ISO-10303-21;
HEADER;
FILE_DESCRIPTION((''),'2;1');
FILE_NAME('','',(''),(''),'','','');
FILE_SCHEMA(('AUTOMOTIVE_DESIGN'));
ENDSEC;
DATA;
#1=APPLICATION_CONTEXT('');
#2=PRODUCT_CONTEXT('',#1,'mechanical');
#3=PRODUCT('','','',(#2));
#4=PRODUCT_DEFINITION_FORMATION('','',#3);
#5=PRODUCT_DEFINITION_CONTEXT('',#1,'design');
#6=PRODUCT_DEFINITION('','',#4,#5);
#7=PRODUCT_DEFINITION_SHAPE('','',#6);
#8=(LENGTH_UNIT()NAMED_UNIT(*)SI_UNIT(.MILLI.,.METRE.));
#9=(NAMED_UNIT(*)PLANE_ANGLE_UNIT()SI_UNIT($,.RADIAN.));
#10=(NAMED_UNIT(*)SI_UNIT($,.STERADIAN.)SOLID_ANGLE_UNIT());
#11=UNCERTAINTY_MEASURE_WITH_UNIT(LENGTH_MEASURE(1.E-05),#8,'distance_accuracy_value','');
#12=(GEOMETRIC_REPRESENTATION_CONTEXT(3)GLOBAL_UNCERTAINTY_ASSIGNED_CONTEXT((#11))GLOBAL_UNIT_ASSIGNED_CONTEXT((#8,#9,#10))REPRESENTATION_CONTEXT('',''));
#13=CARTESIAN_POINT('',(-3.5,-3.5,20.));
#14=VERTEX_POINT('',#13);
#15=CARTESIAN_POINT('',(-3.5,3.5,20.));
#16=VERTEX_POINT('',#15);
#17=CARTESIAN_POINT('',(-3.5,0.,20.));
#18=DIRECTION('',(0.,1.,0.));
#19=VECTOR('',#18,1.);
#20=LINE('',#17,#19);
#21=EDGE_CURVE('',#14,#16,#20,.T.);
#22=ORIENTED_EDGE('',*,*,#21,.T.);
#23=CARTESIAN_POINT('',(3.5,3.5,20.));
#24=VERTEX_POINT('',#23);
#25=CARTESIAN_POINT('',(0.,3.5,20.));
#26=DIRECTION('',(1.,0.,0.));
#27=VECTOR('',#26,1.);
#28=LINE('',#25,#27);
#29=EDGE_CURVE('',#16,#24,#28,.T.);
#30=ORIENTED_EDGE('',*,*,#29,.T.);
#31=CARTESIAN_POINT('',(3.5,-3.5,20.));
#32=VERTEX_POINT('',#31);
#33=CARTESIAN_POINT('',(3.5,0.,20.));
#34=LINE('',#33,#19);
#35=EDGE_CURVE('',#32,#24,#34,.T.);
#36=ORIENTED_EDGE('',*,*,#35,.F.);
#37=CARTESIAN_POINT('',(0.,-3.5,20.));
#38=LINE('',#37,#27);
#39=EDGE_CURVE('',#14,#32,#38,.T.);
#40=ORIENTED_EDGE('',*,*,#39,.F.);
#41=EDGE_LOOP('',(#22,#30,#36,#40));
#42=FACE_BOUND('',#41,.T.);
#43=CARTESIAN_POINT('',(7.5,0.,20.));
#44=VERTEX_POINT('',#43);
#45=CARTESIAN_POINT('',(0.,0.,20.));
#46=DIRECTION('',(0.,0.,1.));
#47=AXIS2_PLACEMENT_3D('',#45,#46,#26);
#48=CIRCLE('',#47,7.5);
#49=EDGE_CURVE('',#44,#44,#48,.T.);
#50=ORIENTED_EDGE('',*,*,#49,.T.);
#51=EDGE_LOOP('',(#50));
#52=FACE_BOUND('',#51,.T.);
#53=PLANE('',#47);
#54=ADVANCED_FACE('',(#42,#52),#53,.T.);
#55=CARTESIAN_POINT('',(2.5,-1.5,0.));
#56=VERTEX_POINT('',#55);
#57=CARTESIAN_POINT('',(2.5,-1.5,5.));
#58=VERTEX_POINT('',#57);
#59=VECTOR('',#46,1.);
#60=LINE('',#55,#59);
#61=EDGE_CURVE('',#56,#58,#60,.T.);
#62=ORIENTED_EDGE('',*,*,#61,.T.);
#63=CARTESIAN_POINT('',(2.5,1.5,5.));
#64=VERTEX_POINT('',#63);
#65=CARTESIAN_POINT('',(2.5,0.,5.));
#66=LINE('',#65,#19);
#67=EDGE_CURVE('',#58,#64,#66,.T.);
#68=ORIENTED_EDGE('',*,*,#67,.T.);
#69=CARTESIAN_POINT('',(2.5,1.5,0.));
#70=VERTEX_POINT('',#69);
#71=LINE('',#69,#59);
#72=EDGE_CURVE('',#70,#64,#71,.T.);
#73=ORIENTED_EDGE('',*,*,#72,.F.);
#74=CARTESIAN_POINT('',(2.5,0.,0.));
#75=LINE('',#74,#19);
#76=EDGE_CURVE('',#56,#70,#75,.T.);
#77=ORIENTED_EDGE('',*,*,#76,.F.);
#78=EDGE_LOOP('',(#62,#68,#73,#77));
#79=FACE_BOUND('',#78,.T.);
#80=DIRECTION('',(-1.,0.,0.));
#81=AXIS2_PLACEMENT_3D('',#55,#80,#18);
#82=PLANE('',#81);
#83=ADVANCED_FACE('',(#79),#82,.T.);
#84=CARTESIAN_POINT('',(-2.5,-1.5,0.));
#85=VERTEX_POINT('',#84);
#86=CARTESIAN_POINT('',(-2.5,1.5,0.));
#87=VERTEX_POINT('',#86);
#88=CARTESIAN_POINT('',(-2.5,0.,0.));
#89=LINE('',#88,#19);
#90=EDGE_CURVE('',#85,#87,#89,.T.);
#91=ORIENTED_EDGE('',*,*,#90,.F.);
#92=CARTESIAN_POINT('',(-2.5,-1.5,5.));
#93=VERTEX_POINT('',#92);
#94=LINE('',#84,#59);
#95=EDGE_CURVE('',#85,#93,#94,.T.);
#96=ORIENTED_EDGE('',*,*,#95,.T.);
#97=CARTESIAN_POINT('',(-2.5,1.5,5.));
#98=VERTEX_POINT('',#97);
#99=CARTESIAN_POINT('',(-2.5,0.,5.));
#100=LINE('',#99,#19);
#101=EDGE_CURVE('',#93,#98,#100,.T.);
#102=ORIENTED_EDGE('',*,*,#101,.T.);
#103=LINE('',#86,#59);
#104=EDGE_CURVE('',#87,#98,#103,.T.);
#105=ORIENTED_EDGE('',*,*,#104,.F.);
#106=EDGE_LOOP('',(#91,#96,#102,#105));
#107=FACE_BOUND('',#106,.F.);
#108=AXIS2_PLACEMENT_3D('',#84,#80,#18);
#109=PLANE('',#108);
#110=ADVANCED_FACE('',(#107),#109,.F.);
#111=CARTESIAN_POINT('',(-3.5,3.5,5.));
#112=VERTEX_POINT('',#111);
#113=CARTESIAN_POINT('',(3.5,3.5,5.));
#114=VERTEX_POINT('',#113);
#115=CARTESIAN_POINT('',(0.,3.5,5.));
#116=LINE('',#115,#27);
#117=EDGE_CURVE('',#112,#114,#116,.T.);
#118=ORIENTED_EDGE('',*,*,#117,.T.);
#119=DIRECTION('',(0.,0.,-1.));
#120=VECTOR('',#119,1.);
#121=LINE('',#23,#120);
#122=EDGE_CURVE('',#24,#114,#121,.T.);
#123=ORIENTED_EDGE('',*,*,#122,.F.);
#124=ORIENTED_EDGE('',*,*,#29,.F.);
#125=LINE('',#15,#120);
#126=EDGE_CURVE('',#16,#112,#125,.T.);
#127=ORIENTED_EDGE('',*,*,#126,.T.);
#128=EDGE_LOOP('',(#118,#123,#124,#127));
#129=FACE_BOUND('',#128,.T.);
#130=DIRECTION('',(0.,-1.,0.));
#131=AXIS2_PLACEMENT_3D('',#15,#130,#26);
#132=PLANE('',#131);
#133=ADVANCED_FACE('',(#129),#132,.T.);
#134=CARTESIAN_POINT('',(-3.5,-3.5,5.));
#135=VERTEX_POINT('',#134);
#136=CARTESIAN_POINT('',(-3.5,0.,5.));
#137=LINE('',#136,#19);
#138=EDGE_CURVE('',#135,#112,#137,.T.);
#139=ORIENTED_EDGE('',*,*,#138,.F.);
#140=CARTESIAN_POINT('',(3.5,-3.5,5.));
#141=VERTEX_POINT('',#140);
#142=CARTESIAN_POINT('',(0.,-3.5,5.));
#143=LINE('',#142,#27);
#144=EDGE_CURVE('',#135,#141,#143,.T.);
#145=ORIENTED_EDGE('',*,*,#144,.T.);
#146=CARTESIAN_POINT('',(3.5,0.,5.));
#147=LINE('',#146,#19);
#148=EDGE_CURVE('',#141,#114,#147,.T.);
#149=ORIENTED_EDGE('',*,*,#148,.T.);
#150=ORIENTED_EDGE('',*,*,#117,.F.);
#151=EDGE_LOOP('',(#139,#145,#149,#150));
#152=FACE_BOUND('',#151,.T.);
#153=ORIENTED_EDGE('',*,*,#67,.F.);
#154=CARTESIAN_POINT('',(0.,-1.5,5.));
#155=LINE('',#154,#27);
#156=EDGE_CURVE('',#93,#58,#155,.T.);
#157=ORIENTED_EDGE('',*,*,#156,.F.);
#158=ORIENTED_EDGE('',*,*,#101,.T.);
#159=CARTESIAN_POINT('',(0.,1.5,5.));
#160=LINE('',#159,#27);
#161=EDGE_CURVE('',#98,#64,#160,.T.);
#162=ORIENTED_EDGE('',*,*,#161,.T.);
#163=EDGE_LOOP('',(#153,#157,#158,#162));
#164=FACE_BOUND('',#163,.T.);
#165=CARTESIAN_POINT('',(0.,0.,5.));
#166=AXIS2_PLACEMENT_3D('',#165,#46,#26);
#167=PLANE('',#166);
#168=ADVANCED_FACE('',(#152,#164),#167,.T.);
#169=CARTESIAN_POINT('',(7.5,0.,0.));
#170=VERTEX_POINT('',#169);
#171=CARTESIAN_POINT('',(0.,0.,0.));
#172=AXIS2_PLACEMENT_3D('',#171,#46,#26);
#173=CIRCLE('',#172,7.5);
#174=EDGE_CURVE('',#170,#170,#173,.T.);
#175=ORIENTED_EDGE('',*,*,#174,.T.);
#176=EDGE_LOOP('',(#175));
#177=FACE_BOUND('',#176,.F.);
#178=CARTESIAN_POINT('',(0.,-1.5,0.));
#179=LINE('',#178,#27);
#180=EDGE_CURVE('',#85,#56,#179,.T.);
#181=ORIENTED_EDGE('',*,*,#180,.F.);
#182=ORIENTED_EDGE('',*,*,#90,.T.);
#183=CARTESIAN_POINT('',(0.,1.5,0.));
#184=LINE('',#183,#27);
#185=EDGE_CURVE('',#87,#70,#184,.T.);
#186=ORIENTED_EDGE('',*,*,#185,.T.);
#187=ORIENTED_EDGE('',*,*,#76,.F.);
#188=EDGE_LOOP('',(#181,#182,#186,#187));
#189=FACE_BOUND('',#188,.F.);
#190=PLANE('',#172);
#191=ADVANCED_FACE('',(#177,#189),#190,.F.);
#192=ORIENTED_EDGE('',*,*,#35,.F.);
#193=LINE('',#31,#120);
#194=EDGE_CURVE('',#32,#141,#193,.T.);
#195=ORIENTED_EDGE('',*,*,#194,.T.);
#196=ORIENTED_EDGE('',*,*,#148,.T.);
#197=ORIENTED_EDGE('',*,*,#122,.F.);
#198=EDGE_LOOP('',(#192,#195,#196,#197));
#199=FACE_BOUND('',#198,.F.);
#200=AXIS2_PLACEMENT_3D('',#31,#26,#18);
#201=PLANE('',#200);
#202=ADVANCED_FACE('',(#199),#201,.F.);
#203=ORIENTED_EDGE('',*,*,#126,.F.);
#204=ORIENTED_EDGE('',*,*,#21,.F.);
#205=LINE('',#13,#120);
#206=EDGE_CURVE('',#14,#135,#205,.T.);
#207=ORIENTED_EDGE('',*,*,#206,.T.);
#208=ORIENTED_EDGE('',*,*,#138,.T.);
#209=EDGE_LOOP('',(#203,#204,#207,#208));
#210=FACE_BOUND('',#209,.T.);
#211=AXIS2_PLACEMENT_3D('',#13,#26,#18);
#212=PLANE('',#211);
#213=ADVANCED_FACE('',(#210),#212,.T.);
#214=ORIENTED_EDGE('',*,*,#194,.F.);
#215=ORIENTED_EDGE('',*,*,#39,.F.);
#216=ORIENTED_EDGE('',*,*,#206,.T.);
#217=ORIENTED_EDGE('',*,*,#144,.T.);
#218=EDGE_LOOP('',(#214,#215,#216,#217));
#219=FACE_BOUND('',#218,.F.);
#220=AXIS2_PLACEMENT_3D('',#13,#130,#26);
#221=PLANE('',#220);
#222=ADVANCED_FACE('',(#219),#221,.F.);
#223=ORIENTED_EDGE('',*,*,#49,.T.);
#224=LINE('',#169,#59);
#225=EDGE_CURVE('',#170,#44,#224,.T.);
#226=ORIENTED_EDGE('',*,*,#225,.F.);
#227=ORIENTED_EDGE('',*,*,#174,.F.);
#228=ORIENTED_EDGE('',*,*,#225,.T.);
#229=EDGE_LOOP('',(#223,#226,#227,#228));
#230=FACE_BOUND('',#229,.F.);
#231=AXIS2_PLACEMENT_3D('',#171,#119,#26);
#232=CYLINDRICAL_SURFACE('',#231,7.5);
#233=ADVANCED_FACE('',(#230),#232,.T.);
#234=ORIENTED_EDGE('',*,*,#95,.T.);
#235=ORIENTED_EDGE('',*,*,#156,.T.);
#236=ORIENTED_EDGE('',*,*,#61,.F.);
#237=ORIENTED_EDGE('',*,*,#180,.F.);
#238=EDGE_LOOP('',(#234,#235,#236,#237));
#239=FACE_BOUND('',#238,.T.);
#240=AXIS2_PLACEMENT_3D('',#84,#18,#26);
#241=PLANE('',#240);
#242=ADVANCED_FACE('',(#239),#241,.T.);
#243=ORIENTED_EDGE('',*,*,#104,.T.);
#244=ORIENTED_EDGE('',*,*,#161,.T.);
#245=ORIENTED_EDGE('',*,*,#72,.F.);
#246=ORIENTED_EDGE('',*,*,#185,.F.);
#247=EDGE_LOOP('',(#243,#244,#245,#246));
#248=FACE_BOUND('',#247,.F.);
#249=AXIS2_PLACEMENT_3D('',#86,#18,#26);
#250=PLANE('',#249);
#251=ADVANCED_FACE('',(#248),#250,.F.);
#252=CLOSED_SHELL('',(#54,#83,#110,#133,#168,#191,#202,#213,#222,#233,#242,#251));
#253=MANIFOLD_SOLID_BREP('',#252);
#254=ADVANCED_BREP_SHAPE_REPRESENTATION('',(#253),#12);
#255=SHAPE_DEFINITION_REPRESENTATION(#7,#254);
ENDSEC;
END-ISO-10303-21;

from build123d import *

# Parameters (mm, degrees)
F0_R     = 7.5
F0_W     = 5
F0_H     = 3
F1_DEPTH = 20
F2_W     = 7
F2_H     = 7
F2_W_2   = 5
F2_H_2   = 3
F3_DEPTH = 15


with BuildPart() as f1:
    # F0 (on Top) → F1 (new body)
    with BuildSketch(Plane.XY):
        Circle(F0_R)
        Rectangle(F0_W, F0_H, mode=Mode.SUBTRACT)
    extrude(amount=F1_DEPTH)

    # F2 (on face) → F3 (cut)
    with BuildSketch(Plane.XY.offset(20)):
        Rectangle(F2_W, F2_H)
        Rectangle(F2_W_2, F2_H_2, mode=Mode.SUBTRACT)
    extrude(amount=-F3_DEPTH, mode=Mode.SUBTRACT)


solid = f1.part
